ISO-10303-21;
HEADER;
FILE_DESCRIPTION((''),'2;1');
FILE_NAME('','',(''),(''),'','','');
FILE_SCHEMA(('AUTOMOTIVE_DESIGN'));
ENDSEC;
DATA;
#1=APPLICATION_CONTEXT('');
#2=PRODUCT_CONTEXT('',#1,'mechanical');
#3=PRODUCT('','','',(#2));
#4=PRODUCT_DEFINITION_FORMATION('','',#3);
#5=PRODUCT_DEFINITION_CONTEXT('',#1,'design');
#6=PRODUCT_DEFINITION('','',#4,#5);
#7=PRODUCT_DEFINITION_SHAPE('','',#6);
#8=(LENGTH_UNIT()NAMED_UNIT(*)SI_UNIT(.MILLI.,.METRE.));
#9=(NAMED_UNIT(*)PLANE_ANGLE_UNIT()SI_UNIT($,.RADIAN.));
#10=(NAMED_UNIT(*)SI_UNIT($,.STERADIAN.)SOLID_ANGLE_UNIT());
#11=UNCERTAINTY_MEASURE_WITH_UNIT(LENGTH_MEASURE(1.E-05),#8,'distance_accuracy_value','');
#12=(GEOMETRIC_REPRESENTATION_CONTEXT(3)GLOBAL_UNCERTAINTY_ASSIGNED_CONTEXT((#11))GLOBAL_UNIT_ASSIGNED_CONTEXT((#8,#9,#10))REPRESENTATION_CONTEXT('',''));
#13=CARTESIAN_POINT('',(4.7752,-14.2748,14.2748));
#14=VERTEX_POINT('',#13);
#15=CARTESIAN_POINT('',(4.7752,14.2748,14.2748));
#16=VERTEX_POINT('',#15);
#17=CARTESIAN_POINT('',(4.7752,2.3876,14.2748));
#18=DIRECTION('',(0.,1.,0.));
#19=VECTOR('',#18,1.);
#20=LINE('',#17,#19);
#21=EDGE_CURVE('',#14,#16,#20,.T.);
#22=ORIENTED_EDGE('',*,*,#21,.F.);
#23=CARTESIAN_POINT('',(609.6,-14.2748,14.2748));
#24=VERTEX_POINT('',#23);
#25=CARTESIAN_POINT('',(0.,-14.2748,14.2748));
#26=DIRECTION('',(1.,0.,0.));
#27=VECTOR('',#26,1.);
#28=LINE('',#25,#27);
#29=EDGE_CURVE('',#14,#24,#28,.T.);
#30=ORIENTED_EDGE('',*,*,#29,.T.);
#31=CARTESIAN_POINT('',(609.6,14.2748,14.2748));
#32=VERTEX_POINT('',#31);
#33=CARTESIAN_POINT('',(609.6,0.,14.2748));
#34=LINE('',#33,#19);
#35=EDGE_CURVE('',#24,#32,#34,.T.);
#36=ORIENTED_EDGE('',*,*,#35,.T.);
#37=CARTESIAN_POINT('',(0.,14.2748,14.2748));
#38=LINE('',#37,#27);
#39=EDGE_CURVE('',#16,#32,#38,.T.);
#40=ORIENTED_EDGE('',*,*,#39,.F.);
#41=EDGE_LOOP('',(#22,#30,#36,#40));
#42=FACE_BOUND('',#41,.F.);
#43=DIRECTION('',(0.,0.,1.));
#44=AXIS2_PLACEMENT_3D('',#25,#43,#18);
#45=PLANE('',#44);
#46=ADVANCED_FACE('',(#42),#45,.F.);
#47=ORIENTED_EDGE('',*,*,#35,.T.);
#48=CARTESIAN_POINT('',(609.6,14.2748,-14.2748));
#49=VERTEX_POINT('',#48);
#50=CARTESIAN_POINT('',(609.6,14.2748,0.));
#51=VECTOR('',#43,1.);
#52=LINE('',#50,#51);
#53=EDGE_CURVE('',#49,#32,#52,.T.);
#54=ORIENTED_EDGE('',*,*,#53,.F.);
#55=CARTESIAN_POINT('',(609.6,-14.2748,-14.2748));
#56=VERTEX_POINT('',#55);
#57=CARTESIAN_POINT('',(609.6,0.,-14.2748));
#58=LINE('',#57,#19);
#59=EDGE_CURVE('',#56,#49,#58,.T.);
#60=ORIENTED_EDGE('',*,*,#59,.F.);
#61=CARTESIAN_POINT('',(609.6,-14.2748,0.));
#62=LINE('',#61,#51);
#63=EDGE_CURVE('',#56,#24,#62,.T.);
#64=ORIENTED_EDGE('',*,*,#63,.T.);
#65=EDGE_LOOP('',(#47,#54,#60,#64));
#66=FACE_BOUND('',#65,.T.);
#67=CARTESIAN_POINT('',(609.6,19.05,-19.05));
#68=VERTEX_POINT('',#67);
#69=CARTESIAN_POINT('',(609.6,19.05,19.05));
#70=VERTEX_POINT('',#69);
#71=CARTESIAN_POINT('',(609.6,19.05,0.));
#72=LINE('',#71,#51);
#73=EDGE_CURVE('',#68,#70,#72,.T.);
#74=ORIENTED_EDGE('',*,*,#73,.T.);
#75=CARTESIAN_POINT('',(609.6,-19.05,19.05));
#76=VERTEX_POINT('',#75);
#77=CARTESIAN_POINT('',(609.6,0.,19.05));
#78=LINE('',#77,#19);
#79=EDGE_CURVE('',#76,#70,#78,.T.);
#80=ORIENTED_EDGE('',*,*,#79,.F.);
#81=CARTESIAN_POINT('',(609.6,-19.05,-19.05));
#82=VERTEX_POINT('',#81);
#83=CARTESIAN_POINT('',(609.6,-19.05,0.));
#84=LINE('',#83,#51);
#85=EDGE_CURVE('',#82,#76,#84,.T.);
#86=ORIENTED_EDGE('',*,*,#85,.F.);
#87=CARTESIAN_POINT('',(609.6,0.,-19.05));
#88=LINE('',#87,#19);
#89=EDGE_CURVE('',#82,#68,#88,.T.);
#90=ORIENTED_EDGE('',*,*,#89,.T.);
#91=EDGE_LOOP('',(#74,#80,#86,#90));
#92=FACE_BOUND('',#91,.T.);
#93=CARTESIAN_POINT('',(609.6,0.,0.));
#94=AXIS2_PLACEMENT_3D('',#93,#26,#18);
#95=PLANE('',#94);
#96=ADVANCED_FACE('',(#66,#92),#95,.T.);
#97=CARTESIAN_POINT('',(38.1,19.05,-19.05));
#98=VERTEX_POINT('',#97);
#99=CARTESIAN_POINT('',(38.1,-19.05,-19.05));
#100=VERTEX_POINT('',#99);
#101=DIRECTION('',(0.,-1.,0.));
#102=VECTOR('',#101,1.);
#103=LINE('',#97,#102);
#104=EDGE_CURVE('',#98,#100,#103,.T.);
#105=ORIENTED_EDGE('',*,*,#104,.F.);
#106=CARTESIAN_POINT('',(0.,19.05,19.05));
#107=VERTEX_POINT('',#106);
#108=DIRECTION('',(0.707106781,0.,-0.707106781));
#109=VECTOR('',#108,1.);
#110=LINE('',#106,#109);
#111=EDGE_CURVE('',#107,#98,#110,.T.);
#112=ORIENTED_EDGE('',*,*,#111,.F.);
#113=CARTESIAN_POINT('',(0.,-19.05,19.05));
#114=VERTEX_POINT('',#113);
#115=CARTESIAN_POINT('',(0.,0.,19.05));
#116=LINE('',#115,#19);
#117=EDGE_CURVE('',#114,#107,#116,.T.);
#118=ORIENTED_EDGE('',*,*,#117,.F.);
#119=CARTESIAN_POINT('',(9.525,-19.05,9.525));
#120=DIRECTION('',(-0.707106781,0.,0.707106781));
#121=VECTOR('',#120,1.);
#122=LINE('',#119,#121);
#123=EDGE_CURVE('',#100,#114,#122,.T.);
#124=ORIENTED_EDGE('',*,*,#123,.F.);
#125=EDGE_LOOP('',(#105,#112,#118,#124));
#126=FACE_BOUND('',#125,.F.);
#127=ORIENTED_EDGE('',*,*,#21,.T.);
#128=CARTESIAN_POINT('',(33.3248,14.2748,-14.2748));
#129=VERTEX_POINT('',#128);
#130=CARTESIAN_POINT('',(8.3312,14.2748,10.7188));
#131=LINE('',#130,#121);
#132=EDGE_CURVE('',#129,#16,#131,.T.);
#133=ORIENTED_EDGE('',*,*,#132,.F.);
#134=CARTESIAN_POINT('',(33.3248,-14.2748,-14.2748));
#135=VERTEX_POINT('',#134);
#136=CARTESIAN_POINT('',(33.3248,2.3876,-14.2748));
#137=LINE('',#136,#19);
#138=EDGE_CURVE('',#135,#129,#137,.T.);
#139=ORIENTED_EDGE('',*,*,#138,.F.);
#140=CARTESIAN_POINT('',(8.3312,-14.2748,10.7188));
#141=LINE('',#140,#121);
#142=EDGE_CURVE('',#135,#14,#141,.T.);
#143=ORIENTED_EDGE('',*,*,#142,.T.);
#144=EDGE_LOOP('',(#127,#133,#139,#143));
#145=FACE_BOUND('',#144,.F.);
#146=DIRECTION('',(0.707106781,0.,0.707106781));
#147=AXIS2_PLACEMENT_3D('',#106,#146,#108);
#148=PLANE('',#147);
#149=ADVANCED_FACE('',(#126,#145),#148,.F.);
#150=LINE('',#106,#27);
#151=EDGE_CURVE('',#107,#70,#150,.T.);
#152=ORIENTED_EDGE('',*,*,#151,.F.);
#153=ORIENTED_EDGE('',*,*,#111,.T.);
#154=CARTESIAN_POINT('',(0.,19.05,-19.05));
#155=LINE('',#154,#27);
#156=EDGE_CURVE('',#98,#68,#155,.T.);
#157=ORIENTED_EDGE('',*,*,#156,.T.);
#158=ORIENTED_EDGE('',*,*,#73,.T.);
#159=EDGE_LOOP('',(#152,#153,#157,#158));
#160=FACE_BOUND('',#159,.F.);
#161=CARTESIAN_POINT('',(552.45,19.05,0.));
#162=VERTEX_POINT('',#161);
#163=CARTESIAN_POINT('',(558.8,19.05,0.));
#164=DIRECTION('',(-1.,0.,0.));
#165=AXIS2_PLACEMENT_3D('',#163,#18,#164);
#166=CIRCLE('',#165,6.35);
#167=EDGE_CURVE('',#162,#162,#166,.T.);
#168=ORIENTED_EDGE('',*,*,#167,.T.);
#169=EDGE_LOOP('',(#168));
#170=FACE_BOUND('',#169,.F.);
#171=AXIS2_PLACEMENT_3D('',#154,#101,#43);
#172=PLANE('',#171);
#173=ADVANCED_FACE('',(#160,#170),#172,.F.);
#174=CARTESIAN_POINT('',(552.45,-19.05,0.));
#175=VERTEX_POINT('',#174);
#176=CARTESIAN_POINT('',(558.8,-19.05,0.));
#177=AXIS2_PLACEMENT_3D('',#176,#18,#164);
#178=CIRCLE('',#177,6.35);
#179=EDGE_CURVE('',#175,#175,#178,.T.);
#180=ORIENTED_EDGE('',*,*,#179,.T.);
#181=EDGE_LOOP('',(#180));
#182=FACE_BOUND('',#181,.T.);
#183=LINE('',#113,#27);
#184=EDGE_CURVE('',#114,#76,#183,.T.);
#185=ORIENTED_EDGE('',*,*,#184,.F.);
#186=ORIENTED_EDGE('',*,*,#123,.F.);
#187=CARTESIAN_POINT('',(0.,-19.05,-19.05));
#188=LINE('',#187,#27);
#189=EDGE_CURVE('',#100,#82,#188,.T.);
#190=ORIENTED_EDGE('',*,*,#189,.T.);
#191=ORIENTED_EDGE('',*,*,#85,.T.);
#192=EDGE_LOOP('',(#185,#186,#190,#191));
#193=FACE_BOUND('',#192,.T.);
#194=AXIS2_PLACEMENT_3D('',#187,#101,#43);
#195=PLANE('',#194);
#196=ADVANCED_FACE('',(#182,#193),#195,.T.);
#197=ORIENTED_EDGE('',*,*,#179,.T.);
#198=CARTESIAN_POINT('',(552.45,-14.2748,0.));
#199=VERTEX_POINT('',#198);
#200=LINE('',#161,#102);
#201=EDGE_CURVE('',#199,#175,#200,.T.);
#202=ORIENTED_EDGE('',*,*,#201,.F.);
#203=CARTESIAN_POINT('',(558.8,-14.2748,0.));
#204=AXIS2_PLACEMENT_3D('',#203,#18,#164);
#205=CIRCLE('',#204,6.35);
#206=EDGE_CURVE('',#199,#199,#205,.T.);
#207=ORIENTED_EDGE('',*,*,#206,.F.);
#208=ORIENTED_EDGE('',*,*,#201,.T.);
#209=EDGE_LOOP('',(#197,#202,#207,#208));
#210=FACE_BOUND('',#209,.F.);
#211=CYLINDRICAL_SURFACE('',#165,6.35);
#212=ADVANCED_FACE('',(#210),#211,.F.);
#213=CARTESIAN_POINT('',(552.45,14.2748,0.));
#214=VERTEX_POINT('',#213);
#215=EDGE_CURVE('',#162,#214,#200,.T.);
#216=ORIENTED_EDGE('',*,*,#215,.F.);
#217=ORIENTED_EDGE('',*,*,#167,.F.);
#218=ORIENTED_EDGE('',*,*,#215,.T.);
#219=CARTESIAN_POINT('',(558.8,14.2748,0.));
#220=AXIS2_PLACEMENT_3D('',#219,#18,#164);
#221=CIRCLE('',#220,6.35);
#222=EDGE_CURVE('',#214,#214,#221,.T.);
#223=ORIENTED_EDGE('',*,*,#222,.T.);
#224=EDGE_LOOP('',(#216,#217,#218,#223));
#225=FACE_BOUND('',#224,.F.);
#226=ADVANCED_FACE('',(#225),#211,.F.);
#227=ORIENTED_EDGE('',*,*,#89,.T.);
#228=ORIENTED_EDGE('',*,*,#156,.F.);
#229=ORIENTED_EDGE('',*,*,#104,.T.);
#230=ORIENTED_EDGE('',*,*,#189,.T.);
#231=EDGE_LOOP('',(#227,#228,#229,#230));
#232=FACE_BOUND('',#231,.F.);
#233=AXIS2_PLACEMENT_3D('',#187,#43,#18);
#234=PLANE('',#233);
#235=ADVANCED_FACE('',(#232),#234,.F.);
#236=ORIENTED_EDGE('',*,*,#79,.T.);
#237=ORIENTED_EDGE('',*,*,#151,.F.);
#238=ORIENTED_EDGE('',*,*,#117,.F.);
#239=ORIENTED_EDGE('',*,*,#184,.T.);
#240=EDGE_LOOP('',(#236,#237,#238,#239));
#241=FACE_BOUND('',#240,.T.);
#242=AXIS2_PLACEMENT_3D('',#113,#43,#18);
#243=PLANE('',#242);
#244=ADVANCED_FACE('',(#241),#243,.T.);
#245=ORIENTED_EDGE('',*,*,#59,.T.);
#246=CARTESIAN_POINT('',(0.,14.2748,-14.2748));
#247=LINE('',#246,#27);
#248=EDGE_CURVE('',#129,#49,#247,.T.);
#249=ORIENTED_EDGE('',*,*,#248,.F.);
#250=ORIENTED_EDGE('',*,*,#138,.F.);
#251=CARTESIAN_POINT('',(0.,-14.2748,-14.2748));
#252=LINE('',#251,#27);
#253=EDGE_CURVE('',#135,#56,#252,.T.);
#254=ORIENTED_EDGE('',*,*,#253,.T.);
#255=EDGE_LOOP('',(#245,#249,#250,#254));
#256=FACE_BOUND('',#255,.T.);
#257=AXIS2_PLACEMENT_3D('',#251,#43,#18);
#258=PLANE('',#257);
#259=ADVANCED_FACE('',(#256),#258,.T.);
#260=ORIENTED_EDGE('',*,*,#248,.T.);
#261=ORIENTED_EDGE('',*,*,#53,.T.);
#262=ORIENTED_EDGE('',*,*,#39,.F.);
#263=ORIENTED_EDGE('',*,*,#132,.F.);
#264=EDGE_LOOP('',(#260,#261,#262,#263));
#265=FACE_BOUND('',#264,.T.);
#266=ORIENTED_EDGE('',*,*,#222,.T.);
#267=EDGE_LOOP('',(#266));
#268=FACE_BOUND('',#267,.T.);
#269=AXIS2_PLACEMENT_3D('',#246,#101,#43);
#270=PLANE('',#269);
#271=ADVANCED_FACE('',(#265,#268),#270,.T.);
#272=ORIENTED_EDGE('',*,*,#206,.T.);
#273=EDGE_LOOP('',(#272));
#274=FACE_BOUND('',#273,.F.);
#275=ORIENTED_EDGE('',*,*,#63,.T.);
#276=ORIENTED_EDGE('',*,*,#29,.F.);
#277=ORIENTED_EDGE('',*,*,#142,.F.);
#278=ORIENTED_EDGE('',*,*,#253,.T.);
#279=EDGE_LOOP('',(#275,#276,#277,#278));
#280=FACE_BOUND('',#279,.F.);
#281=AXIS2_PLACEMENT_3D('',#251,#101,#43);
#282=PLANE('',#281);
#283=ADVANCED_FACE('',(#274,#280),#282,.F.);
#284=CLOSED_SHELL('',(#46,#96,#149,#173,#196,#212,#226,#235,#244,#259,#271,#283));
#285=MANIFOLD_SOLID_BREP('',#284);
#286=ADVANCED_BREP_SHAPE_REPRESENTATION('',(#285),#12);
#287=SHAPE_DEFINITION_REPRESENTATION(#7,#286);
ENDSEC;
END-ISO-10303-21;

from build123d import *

# Parameters (mm, degrees)
F0_W     = 38.1
F0_H     = 38.1
F0_W_2   = 28.5496
F0_H_2   = 28.5496
F1_DEPTH = 609.6
F3_DEPTH = 38.101
F4_R     = 6.35
F5_DEPTH = 38.101


with BuildPart() as f1:
    # F0 (on Right) → F1 (new body)
    with BuildSketch(Plane.YZ):
        Rectangle(F0_W, F0_H)
        Rectangle(F0_W_2, F0_H_2, mode=Mode.SUBTRACT)
    extrude(amount=F1_DEPTH)

    # F2 (on face) → F3 (cut, through all)
    with BuildSketch(Plane(origin=(0, 19.05, 0), x_dir=(-1, 0, 0), z_dir=(0, 1, 0))):
        Polygon((0, -19.05), (0, 19.05), (-38.1, -19.05), align=None)
    extrude(amount=-F3_DEPTH, mode=Mode.SUBTRACT)

    # F4 (on face) → F5 (cut, through all)
    with BuildSketch(Plane(origin=(0, 19.05, 0), x_dir=(-1, 0, 0), z_dir=(0, 1, 0))):
        with Locations((-558.8, 0)):
            Circle(F4_R)
    extrude(amount=-F5_DEPTH, mode=Mode.SUBTRACT)


solid = f1.part
